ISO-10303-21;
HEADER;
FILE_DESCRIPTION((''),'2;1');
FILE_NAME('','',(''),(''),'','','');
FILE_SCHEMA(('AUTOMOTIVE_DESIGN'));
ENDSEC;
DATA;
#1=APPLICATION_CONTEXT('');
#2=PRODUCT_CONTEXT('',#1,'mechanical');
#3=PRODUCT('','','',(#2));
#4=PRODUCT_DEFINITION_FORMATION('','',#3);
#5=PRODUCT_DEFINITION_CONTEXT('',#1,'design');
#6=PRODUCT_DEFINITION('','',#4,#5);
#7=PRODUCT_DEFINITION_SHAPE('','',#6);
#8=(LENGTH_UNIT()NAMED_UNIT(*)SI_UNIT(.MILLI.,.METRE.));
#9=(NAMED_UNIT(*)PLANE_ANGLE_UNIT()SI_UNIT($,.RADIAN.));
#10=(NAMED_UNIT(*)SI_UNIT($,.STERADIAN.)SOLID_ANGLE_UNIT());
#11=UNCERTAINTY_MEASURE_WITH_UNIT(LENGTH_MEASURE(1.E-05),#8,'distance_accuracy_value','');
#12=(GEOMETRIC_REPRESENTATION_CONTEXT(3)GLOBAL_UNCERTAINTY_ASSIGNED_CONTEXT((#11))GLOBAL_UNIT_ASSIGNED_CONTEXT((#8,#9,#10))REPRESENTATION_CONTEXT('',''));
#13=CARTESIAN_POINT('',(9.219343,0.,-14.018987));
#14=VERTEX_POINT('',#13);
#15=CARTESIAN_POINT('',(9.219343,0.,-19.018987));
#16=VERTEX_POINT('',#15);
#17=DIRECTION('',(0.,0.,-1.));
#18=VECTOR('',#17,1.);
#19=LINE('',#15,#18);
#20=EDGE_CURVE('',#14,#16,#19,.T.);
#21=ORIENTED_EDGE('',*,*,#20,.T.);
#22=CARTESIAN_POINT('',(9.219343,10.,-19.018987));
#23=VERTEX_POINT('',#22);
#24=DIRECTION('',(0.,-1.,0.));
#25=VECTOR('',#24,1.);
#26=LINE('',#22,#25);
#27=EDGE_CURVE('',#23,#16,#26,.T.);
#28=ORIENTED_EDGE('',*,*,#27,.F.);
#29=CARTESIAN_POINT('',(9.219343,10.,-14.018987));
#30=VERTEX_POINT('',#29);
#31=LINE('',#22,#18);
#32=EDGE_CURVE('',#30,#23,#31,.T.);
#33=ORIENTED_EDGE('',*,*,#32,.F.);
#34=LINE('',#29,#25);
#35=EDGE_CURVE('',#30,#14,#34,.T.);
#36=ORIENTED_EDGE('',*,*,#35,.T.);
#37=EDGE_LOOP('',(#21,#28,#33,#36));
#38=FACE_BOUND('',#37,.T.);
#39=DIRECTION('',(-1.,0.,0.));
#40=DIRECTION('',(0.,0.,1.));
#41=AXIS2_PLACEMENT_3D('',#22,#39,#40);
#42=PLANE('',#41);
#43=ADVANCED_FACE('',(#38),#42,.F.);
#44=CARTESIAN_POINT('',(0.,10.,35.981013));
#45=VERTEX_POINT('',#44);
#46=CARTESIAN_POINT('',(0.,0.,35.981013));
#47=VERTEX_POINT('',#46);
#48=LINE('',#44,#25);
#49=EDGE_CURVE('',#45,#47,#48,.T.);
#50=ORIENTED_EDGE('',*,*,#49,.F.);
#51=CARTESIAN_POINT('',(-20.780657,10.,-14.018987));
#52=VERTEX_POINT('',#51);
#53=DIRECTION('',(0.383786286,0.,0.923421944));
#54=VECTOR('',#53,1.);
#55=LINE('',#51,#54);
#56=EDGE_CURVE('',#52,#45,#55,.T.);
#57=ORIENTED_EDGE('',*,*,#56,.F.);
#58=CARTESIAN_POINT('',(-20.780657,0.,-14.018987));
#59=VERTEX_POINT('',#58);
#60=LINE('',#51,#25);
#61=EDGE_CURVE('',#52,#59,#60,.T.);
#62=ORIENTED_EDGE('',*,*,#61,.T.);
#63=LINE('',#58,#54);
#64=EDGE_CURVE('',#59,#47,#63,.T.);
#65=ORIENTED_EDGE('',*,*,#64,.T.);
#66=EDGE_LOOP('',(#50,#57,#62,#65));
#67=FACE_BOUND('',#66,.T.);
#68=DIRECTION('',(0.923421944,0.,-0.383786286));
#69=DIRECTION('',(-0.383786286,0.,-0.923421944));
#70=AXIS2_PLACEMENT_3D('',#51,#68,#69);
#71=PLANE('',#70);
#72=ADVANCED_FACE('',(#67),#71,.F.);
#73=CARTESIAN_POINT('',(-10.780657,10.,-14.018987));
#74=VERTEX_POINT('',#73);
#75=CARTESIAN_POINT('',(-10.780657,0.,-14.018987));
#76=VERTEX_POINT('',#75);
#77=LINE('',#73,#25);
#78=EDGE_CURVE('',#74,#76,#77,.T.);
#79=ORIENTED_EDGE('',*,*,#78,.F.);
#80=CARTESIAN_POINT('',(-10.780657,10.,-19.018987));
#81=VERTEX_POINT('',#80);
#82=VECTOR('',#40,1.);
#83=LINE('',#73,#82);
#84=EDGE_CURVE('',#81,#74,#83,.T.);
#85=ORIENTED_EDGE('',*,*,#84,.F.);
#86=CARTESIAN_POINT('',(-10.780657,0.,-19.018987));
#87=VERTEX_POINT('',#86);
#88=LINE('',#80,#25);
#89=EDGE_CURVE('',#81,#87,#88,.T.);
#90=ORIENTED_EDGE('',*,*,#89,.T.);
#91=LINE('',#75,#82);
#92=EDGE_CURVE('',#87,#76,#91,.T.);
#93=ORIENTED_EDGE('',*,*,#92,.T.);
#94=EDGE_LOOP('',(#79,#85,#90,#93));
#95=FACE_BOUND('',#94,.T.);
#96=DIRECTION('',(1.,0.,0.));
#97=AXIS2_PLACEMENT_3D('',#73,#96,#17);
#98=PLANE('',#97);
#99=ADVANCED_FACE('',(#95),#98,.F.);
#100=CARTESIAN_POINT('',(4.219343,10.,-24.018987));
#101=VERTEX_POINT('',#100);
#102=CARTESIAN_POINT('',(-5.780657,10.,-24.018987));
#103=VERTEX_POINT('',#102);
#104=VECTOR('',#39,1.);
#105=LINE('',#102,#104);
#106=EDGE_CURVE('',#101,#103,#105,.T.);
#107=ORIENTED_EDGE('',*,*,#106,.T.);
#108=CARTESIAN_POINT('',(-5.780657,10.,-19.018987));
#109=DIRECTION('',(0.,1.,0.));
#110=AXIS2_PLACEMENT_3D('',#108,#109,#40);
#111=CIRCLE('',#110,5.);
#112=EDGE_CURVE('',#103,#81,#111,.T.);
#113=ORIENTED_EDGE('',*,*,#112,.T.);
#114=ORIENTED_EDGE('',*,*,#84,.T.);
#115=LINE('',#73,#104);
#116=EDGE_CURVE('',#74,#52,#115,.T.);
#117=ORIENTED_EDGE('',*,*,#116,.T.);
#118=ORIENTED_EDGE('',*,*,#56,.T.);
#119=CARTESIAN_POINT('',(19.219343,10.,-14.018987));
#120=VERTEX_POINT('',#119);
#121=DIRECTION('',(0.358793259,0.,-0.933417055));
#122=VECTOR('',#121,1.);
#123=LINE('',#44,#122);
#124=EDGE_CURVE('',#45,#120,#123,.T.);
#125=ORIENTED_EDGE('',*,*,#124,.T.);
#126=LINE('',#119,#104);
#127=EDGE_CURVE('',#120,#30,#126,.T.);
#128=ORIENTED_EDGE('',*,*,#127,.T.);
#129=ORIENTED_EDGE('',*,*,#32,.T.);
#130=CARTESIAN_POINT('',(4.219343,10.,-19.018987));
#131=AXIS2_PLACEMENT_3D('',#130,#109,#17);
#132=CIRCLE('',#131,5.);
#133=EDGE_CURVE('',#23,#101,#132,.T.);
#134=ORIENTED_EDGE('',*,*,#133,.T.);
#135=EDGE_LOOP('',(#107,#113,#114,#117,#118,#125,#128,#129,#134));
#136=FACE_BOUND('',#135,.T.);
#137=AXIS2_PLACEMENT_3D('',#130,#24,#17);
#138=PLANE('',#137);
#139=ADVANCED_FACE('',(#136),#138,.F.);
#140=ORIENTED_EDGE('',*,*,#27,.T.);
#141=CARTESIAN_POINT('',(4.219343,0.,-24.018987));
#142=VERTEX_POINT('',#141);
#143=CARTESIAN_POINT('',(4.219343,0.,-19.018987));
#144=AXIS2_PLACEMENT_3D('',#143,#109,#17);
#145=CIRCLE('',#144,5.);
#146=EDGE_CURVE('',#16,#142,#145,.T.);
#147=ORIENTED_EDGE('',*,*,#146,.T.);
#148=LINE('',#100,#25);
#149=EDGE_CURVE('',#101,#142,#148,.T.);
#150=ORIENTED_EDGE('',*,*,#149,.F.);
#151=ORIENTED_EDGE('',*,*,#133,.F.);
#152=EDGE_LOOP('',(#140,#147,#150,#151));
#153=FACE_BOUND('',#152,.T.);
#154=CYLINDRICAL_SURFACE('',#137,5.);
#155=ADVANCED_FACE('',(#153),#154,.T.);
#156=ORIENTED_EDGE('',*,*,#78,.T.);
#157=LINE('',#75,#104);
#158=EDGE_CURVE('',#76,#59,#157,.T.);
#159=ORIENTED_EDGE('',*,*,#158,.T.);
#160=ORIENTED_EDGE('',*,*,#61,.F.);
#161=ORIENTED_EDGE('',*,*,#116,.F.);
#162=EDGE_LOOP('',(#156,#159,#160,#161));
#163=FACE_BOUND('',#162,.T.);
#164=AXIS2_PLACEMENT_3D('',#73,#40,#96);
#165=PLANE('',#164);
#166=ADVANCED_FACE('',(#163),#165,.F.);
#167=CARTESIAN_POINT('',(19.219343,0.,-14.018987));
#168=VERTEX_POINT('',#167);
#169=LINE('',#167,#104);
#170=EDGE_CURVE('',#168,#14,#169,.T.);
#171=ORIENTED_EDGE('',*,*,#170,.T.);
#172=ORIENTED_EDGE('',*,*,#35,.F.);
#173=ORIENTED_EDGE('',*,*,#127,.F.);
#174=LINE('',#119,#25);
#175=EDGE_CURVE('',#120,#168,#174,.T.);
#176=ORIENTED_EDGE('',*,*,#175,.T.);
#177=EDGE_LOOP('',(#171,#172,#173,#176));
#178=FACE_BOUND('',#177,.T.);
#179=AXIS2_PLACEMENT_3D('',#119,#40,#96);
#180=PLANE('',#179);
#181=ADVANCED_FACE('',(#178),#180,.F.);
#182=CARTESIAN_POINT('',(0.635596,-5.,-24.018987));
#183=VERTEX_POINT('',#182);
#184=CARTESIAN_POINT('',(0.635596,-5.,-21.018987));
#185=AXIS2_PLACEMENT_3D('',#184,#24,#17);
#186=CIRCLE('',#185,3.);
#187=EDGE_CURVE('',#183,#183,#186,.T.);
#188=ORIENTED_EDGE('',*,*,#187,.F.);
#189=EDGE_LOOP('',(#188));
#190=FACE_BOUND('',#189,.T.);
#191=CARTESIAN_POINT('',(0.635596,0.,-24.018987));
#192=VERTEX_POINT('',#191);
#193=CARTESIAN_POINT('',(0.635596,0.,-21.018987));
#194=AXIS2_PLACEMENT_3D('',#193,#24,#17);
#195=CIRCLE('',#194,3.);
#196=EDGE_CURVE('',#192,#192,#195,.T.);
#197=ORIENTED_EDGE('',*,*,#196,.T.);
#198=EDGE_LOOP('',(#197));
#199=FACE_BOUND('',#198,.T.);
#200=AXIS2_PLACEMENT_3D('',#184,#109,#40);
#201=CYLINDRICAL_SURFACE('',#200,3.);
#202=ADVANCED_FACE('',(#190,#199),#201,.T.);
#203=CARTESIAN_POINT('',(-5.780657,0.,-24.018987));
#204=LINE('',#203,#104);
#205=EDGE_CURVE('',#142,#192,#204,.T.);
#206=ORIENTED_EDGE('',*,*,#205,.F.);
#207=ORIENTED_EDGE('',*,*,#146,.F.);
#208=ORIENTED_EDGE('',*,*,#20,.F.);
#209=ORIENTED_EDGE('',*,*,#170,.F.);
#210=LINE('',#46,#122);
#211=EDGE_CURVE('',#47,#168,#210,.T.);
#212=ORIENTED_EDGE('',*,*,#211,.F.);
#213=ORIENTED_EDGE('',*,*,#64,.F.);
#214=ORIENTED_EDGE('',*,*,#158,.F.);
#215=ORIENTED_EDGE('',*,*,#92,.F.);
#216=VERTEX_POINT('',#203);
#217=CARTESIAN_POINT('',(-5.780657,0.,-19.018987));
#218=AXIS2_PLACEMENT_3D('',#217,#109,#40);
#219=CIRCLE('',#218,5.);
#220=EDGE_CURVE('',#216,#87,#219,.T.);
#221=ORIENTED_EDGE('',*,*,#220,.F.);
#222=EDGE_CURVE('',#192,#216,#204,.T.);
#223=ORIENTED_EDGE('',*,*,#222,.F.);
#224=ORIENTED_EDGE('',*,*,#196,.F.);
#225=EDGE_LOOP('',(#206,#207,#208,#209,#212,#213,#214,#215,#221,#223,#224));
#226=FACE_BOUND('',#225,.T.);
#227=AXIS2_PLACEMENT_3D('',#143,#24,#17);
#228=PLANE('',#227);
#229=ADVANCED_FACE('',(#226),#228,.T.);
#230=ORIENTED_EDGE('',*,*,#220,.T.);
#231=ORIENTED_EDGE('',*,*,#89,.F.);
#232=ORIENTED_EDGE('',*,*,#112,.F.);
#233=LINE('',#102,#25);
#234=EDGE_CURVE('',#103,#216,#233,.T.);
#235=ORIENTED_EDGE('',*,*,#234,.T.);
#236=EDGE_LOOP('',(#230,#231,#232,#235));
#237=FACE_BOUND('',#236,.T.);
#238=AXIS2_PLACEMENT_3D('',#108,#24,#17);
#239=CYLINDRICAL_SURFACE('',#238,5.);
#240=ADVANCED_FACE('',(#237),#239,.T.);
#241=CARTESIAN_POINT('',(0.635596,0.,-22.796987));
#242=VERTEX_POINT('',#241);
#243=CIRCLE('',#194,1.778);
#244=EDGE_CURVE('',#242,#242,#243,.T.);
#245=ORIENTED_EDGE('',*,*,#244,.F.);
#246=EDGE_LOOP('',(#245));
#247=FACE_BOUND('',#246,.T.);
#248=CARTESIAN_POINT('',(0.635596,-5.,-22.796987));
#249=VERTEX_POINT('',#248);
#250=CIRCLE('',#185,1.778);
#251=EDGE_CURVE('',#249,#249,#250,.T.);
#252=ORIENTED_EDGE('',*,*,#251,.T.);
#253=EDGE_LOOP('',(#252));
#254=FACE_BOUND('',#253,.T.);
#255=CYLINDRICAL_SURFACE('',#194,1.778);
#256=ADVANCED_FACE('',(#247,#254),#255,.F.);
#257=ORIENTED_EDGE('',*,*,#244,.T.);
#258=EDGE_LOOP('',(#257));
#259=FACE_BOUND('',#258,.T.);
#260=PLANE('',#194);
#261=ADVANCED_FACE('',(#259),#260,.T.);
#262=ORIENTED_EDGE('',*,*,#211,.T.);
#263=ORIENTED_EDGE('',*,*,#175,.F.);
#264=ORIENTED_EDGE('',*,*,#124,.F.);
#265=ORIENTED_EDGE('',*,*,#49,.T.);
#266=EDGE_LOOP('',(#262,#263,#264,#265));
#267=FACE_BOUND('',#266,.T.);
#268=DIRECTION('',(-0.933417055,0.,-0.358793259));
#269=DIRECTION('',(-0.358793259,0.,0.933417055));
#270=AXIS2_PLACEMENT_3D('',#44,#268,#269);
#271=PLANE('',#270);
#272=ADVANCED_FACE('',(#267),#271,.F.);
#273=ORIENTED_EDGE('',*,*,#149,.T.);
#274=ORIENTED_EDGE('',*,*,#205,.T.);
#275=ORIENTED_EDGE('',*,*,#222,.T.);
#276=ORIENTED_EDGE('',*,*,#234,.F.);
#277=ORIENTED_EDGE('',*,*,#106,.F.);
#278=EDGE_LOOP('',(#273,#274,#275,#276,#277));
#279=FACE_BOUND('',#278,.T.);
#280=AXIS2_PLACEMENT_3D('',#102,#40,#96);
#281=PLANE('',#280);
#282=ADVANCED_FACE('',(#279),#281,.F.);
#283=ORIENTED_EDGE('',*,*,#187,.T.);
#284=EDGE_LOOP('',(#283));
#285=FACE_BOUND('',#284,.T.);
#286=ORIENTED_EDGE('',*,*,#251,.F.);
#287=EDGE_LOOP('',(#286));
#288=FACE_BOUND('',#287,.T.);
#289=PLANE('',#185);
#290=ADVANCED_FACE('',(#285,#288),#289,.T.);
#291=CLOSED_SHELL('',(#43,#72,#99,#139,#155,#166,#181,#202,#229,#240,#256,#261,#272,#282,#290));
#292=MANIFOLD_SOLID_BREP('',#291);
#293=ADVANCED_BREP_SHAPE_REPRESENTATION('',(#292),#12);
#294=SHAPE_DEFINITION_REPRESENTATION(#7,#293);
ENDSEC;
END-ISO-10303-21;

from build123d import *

# Parameters (mm, degrees)
BOSS_EXTRUDE1_DEPTH = 10
SKETCH2_R           = 3
BOSS_EXTRUDE2_DEPTH = 5
SKETCH3_R           = 1.778
CUT_EXTRUDE1_DEPTH  = 5


with BuildPart() as part:
    # Sketch1 → Boss-Extrude1 (new body)
    with BuildSketch(Plane(origin=(0, 0, 0), x_dir=(1, 0, 0), z_dir=(0, 1, 0))):
        with BuildLine():
            Line((-5.780656579, 24.018987342), (4.219343421, 24.018987342))
            ThreePointArc((4.219343421, 24.018987342), (7.754877327, 22.554521248), (9.219343421, 19.018987342))
            Line((9.219343421, 19.018987342), (9.219343421, 14.018987342))
            Line((9.219343421, 14.018987342), (19.219343421, 14.018987342))
            Line((19.219343421, 14.018987342), (0, -35.981012658))
            Line((0, -35.981012658), (-20.780656579, 14.018987342))
            Line((-20.780656579, 14.018987342), (-10.780656579, 14.018987342))
            Line((-10.780656579, 14.018987342), (-10.780656579, 19.018987342))
            ThreePointArc((-10.780656579, 19.018987342), (-9.316190485, 22.554521248), (-5.780656579, 24.018987342))
        make_face()
    extrude(amount=BOSS_EXTRUDE1_DEPTH)

    # Sketch2 → Boss-Extrude2 (add)
    with BuildSketch(Plane.XZ):
        with Locations((0.635595912, -21.018987342)):
            Circle(SKETCH2_R)
    extrude(amount=BOSS_EXTRUDE2_DEPTH)

    # Sketch3 → Cut-Extrude1 (cut)
    with BuildSketch(Plane.XZ.offset(5)):
        with Locations((0.635595912, -21.018987342)):
            Circle(SKETCH3_R)
    extrude(amount=-CUT_EXTRUDE1_DEPTH, mode=Mode.SUBTRACT)


solid = part.part
